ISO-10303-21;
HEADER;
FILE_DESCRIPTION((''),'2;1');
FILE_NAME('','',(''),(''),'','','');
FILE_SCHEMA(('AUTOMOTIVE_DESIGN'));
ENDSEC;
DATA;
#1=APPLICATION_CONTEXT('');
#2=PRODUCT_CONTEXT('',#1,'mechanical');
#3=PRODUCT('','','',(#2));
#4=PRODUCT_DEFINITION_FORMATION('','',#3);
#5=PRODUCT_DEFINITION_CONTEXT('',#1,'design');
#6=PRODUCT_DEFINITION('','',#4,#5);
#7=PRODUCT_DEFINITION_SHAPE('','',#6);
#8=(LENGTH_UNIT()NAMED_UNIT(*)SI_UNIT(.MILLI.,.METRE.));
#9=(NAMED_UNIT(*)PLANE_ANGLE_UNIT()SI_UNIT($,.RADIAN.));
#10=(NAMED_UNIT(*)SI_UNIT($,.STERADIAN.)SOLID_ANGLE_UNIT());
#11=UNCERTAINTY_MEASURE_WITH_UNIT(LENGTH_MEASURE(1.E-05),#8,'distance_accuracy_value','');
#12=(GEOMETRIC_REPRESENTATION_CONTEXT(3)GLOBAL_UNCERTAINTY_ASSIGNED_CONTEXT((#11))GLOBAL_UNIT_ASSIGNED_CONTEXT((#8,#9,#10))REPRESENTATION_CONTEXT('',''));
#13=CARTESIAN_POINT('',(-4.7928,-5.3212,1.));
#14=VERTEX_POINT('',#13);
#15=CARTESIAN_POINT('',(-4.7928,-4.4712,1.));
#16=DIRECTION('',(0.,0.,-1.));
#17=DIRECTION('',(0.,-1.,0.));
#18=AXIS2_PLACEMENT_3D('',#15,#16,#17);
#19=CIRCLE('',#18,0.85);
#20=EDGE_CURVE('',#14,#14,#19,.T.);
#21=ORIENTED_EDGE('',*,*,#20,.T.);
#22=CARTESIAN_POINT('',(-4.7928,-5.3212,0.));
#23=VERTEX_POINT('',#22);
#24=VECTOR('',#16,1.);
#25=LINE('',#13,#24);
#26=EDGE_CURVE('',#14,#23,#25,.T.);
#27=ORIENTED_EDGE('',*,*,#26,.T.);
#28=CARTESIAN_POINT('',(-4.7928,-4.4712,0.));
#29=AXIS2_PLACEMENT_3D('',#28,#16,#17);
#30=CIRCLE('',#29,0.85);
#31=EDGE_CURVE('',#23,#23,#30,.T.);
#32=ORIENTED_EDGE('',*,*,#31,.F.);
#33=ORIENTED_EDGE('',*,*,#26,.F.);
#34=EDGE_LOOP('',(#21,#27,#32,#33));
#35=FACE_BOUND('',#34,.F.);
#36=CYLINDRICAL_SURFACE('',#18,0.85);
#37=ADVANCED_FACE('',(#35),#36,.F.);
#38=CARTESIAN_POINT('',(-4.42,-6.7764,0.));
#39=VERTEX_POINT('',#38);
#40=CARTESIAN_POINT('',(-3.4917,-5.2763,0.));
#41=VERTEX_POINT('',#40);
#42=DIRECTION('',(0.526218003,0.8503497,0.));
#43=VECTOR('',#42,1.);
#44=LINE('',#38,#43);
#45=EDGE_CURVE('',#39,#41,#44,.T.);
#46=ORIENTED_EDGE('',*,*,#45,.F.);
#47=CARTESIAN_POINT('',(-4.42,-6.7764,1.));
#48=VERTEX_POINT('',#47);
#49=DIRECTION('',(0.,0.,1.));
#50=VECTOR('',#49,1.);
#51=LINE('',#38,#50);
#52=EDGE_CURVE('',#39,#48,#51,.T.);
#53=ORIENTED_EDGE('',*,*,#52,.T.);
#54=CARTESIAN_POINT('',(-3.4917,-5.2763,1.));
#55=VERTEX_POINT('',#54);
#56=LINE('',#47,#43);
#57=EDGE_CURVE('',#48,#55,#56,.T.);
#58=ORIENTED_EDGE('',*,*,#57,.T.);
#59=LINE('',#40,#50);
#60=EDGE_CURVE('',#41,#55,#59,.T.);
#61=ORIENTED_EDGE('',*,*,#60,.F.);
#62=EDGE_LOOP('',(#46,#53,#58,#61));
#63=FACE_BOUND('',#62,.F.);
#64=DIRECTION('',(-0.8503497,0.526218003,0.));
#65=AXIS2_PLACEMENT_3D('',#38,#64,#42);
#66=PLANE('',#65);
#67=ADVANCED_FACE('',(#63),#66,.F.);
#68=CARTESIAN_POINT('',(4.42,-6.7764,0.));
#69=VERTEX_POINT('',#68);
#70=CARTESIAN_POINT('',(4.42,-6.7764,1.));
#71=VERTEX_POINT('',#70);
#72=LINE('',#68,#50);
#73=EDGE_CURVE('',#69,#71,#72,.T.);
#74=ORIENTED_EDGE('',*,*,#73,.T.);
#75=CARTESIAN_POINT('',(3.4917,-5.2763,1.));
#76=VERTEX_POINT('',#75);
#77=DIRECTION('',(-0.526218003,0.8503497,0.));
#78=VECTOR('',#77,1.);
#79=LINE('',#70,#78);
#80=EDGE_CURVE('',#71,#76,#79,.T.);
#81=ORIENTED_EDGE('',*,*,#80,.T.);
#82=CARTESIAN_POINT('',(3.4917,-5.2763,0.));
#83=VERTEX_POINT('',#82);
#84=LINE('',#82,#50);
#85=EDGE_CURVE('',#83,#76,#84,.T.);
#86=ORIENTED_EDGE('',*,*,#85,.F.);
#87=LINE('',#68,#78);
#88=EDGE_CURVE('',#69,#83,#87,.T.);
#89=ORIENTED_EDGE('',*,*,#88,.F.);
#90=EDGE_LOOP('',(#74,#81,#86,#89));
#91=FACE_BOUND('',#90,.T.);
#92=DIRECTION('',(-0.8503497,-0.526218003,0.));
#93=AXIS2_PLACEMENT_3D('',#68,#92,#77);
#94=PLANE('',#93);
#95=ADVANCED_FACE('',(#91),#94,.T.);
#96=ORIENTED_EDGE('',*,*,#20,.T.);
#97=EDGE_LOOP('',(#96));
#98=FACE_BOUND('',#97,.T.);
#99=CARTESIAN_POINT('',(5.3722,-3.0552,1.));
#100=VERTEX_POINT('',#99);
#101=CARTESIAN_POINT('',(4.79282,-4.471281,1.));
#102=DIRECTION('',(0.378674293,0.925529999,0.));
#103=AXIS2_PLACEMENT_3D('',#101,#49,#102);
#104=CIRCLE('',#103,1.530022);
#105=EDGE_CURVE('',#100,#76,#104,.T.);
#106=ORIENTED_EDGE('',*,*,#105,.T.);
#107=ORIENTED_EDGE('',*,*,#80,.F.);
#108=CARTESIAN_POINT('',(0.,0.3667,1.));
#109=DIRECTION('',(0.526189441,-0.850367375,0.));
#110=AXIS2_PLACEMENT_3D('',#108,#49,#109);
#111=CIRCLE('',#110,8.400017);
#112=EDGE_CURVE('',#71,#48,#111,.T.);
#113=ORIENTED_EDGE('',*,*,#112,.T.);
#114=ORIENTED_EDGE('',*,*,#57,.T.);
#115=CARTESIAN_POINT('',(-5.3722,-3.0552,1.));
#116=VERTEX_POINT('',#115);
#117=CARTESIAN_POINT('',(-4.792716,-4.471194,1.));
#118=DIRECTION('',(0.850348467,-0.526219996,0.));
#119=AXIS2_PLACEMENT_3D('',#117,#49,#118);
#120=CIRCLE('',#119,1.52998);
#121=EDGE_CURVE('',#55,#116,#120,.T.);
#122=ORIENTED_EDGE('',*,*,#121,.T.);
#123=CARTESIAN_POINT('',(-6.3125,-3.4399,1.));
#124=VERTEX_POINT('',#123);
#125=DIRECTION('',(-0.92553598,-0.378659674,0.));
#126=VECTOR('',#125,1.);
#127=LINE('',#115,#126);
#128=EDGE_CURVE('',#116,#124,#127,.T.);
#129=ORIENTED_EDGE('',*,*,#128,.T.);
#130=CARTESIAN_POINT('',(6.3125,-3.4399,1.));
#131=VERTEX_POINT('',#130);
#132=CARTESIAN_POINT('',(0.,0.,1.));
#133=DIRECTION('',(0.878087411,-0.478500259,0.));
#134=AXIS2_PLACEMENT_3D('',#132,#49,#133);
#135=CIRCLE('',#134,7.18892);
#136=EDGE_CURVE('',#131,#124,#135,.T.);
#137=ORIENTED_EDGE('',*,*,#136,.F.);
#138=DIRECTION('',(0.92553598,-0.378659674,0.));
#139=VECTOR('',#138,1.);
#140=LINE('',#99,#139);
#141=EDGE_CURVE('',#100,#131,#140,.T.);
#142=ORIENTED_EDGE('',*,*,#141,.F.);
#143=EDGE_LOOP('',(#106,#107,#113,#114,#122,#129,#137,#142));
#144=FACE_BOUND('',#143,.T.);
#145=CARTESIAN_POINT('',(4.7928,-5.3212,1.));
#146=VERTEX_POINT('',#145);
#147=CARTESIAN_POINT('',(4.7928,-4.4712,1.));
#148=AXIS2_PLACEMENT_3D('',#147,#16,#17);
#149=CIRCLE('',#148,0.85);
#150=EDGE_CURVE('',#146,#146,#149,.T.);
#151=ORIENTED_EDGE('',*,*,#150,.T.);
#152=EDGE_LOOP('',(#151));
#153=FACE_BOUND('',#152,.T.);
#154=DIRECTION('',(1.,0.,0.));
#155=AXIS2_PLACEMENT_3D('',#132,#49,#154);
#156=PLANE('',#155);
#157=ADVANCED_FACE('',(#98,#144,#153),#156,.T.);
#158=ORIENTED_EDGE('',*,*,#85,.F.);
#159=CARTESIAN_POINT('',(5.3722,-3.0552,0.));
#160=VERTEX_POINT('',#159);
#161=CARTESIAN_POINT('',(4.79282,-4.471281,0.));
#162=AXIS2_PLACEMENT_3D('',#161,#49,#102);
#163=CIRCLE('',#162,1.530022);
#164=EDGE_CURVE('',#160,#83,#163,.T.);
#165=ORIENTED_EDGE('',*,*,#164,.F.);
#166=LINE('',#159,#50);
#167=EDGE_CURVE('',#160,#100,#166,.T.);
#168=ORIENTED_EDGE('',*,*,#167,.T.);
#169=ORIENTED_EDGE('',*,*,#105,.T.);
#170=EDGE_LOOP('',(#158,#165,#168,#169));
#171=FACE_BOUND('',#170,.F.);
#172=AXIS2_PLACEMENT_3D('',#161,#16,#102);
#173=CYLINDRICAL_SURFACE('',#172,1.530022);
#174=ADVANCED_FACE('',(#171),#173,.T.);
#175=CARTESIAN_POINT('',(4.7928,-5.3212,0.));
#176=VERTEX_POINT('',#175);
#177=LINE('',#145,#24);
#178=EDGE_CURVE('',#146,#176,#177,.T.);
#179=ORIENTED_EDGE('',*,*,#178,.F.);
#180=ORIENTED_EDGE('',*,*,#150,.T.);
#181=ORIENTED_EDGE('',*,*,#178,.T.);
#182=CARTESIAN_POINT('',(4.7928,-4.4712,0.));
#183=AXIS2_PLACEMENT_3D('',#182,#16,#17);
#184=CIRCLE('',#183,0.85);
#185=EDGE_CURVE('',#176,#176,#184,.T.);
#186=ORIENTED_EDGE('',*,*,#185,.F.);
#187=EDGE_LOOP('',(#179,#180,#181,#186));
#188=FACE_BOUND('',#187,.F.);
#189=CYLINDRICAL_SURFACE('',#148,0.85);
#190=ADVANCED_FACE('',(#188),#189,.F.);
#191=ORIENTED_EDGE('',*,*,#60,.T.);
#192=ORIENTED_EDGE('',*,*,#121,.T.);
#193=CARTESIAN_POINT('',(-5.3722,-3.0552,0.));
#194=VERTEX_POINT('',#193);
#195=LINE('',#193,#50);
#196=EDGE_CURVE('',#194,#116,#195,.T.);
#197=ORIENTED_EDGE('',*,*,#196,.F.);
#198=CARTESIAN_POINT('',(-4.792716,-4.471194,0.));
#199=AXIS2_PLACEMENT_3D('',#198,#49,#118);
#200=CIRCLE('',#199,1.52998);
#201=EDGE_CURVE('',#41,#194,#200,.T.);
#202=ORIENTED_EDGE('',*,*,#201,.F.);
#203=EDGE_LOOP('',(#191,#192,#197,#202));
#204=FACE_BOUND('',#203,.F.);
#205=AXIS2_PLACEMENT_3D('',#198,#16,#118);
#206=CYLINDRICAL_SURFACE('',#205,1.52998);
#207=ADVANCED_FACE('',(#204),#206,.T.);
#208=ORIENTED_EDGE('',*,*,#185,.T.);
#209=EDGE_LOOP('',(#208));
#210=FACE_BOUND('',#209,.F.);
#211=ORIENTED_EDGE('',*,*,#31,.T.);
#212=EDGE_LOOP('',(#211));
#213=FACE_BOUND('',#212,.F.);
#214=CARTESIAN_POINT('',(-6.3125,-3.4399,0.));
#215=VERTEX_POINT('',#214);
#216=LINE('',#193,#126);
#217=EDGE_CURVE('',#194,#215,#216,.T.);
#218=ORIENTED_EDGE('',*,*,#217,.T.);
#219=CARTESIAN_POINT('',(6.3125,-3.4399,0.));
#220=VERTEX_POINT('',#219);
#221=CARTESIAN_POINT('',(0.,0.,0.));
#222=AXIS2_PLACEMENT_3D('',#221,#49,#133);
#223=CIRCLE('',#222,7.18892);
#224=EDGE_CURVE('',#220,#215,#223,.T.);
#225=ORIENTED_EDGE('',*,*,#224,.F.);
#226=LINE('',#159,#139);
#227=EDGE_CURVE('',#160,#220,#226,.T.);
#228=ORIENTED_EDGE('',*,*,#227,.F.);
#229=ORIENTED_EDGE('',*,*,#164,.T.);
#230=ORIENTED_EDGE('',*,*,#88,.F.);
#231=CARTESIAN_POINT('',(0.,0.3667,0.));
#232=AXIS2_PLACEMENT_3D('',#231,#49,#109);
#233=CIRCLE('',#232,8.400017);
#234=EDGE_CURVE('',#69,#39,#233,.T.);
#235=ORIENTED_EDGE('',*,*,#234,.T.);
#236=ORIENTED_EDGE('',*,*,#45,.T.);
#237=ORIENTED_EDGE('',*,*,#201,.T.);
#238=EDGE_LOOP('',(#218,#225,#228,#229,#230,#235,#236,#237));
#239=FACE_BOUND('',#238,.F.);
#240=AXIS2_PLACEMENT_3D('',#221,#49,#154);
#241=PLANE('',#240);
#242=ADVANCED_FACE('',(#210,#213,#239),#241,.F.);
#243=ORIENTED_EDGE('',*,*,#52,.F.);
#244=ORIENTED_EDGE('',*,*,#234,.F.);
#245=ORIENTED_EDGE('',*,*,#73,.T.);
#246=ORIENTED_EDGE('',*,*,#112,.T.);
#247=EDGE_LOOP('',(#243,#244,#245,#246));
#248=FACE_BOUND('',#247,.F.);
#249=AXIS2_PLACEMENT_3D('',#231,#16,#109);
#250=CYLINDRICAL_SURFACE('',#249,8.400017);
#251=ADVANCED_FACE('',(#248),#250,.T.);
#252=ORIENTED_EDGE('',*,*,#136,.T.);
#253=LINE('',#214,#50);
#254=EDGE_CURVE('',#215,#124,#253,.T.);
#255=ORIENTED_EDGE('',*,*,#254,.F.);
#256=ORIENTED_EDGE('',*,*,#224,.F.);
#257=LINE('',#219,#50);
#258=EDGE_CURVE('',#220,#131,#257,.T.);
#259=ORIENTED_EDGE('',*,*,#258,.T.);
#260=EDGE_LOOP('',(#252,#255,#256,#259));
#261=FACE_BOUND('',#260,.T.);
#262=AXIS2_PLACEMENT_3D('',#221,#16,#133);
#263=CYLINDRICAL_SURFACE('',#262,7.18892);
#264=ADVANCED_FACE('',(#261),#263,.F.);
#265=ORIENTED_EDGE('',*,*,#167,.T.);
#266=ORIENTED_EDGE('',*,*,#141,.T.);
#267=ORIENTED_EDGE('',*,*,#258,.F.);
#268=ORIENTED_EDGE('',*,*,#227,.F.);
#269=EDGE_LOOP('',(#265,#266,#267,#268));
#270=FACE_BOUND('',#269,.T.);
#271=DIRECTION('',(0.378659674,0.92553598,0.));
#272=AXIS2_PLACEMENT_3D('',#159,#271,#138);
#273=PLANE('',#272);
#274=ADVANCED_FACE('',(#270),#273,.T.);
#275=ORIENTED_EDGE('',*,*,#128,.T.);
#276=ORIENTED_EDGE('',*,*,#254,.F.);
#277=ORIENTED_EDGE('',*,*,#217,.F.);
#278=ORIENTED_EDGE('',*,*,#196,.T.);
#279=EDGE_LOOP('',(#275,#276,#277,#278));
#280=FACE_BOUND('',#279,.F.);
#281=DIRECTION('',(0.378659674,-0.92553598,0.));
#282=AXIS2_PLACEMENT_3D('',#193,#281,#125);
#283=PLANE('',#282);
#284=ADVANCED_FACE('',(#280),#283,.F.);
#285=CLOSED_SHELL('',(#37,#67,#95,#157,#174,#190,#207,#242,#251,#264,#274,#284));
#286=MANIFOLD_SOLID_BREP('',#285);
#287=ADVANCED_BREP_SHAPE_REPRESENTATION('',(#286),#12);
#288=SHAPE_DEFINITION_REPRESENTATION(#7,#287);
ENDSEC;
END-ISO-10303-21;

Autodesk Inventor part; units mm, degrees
ref_plane "WorkPlane1" through (0, 0, 0) normal (0, 0, 1) x (1, 0, 0)
ref_plane "Work Plane2" through (0, 0, -1) normal (0, 0, 1) x (1, 0, 0)
ref_plane "WorkPlane2" through (0, 0, 1) normal (0, 0, 1) x (1, 0, 0)
sketch "Sketch1" plane through (0, 0, 0) normal (0, 0, 1) x (1, 0, 0)
  point P0 (0, 0)
sketch "Sketch2" plane through (0, 0, 0) normal (0, 0, 1) x (1, 0, 0)
  line L0 (4.42, -6.7764) -> (3.4917, -5.2763)
  arc A0 (5.3722, -3.0552) -> (3.4917, -5.2763) centre (4.7928, -4.4712) ccw
  line L1 (5.3722, -3.0552) -> (6.3125, -3.4399)
  arc A1 (6.3125, -3.4399) -> (-6.3125, -3.4399) centre (0, 0) ccw
  line L2 (-5.3722, -3.0552) -> (-6.3125, -3.4399)
  arc A2 (-3.4917, -5.2763) -> (-5.3722, -3.0552) centre (-4.7928, -4.4712) ccw
  line L3 (-4.42, -6.7764) -> (-3.4917, -5.2763)
  arc A3 (4.42, -6.7764) -> (-4.42, -6.7764) centre (0, 0.3667) ccw
  line L4 (0, 0.3667) -> (-4.42, -6.7764) construction
  line L5 (0, 0.3667) -> (4.42, -6.7764) construction
  dimension "d2" = 8.4
  dimension "d4" = 0
  dimension "d6" = 7.1889
  dimension "d8" = 0.3667
  dimension "d10" = 4.42
  dimension "d12" = 4.42
  dimension "d14" = 1.53
  dimension "d16" = 1.53
  dimension "d18" = 6.81
  dimension "d20" = 6.81
  dimension "d22" = 36
  dimension "d24" = 36
extrude "Extrusion1" add sketch "Sketch2" along normal blind 1
sketch "Sketch3" plane through (0, 0, 1) normal (0, 0, 1) x (1, 0, 0)
  arc A0 (-3.4917, -5.2763) -> (-5.3722, -3.0552) centre (-4.7928, -4.4712) ccw projected
hole "Hole1" at (-4.7928, -4.4712, 1) direction (0, 0, -1) diameter 1.7 end through all
sketch "Sketch4" plane through (0, 0, 1) normal (0, 0, 1) x (1, 0, 0)
  arc A0 (5.3722, -3.0552) -> (3.4917, -5.2763) centre (4.7928, -4.4712) ccw projected
hole "Hole2" at (4.7928, -4.4712, 1) direction (0, 0, -1) diameter 1.7 end through all
equation "\"d29\" = Diam5"
equation "\"d36\" = Diam5"
equation "\"d2\" = 0.5 * Diam2"
equation "\"d6\" = 0.5 * msp_dd1"
equation "\"d8\" = -0.5 * msp_dd1 + 0.5 * Diam2 - 0.222222 * ParA"
equation "\"d10\" = 2.6 * Diam5"
equation "\"d12\" = 2.6 * Diam5"
equation "\"d14\" = 0.9 * Diam5"
equation "\"d16\" = 0.9 * Diam5"
equation "\"d18\" = 1.3 * Diam5 + 0.5 * Diam2 - ParA"
equation "\"d20\" = 1.3 * Diam5 + 0.5 * Diam2 - ParA"
equation "\"d25\" = ParS"
equation "\"Diam5\" = 1.7"
equation "\"ParA\" = 3.8"
equation "\"ParS\" = 1"
equation "\"Diam2\" = 16.8"
equation "\"msp_dd1\" = -b + Diam2 - 0.111111 * ParA"
equation "\"msp_pom\" = 0.5 * Diam2 - b"
equation "\"TEMPLATE\" = 1.2345"
properties part number "DIN 472 - 16x1" material "Steel, Mild"
